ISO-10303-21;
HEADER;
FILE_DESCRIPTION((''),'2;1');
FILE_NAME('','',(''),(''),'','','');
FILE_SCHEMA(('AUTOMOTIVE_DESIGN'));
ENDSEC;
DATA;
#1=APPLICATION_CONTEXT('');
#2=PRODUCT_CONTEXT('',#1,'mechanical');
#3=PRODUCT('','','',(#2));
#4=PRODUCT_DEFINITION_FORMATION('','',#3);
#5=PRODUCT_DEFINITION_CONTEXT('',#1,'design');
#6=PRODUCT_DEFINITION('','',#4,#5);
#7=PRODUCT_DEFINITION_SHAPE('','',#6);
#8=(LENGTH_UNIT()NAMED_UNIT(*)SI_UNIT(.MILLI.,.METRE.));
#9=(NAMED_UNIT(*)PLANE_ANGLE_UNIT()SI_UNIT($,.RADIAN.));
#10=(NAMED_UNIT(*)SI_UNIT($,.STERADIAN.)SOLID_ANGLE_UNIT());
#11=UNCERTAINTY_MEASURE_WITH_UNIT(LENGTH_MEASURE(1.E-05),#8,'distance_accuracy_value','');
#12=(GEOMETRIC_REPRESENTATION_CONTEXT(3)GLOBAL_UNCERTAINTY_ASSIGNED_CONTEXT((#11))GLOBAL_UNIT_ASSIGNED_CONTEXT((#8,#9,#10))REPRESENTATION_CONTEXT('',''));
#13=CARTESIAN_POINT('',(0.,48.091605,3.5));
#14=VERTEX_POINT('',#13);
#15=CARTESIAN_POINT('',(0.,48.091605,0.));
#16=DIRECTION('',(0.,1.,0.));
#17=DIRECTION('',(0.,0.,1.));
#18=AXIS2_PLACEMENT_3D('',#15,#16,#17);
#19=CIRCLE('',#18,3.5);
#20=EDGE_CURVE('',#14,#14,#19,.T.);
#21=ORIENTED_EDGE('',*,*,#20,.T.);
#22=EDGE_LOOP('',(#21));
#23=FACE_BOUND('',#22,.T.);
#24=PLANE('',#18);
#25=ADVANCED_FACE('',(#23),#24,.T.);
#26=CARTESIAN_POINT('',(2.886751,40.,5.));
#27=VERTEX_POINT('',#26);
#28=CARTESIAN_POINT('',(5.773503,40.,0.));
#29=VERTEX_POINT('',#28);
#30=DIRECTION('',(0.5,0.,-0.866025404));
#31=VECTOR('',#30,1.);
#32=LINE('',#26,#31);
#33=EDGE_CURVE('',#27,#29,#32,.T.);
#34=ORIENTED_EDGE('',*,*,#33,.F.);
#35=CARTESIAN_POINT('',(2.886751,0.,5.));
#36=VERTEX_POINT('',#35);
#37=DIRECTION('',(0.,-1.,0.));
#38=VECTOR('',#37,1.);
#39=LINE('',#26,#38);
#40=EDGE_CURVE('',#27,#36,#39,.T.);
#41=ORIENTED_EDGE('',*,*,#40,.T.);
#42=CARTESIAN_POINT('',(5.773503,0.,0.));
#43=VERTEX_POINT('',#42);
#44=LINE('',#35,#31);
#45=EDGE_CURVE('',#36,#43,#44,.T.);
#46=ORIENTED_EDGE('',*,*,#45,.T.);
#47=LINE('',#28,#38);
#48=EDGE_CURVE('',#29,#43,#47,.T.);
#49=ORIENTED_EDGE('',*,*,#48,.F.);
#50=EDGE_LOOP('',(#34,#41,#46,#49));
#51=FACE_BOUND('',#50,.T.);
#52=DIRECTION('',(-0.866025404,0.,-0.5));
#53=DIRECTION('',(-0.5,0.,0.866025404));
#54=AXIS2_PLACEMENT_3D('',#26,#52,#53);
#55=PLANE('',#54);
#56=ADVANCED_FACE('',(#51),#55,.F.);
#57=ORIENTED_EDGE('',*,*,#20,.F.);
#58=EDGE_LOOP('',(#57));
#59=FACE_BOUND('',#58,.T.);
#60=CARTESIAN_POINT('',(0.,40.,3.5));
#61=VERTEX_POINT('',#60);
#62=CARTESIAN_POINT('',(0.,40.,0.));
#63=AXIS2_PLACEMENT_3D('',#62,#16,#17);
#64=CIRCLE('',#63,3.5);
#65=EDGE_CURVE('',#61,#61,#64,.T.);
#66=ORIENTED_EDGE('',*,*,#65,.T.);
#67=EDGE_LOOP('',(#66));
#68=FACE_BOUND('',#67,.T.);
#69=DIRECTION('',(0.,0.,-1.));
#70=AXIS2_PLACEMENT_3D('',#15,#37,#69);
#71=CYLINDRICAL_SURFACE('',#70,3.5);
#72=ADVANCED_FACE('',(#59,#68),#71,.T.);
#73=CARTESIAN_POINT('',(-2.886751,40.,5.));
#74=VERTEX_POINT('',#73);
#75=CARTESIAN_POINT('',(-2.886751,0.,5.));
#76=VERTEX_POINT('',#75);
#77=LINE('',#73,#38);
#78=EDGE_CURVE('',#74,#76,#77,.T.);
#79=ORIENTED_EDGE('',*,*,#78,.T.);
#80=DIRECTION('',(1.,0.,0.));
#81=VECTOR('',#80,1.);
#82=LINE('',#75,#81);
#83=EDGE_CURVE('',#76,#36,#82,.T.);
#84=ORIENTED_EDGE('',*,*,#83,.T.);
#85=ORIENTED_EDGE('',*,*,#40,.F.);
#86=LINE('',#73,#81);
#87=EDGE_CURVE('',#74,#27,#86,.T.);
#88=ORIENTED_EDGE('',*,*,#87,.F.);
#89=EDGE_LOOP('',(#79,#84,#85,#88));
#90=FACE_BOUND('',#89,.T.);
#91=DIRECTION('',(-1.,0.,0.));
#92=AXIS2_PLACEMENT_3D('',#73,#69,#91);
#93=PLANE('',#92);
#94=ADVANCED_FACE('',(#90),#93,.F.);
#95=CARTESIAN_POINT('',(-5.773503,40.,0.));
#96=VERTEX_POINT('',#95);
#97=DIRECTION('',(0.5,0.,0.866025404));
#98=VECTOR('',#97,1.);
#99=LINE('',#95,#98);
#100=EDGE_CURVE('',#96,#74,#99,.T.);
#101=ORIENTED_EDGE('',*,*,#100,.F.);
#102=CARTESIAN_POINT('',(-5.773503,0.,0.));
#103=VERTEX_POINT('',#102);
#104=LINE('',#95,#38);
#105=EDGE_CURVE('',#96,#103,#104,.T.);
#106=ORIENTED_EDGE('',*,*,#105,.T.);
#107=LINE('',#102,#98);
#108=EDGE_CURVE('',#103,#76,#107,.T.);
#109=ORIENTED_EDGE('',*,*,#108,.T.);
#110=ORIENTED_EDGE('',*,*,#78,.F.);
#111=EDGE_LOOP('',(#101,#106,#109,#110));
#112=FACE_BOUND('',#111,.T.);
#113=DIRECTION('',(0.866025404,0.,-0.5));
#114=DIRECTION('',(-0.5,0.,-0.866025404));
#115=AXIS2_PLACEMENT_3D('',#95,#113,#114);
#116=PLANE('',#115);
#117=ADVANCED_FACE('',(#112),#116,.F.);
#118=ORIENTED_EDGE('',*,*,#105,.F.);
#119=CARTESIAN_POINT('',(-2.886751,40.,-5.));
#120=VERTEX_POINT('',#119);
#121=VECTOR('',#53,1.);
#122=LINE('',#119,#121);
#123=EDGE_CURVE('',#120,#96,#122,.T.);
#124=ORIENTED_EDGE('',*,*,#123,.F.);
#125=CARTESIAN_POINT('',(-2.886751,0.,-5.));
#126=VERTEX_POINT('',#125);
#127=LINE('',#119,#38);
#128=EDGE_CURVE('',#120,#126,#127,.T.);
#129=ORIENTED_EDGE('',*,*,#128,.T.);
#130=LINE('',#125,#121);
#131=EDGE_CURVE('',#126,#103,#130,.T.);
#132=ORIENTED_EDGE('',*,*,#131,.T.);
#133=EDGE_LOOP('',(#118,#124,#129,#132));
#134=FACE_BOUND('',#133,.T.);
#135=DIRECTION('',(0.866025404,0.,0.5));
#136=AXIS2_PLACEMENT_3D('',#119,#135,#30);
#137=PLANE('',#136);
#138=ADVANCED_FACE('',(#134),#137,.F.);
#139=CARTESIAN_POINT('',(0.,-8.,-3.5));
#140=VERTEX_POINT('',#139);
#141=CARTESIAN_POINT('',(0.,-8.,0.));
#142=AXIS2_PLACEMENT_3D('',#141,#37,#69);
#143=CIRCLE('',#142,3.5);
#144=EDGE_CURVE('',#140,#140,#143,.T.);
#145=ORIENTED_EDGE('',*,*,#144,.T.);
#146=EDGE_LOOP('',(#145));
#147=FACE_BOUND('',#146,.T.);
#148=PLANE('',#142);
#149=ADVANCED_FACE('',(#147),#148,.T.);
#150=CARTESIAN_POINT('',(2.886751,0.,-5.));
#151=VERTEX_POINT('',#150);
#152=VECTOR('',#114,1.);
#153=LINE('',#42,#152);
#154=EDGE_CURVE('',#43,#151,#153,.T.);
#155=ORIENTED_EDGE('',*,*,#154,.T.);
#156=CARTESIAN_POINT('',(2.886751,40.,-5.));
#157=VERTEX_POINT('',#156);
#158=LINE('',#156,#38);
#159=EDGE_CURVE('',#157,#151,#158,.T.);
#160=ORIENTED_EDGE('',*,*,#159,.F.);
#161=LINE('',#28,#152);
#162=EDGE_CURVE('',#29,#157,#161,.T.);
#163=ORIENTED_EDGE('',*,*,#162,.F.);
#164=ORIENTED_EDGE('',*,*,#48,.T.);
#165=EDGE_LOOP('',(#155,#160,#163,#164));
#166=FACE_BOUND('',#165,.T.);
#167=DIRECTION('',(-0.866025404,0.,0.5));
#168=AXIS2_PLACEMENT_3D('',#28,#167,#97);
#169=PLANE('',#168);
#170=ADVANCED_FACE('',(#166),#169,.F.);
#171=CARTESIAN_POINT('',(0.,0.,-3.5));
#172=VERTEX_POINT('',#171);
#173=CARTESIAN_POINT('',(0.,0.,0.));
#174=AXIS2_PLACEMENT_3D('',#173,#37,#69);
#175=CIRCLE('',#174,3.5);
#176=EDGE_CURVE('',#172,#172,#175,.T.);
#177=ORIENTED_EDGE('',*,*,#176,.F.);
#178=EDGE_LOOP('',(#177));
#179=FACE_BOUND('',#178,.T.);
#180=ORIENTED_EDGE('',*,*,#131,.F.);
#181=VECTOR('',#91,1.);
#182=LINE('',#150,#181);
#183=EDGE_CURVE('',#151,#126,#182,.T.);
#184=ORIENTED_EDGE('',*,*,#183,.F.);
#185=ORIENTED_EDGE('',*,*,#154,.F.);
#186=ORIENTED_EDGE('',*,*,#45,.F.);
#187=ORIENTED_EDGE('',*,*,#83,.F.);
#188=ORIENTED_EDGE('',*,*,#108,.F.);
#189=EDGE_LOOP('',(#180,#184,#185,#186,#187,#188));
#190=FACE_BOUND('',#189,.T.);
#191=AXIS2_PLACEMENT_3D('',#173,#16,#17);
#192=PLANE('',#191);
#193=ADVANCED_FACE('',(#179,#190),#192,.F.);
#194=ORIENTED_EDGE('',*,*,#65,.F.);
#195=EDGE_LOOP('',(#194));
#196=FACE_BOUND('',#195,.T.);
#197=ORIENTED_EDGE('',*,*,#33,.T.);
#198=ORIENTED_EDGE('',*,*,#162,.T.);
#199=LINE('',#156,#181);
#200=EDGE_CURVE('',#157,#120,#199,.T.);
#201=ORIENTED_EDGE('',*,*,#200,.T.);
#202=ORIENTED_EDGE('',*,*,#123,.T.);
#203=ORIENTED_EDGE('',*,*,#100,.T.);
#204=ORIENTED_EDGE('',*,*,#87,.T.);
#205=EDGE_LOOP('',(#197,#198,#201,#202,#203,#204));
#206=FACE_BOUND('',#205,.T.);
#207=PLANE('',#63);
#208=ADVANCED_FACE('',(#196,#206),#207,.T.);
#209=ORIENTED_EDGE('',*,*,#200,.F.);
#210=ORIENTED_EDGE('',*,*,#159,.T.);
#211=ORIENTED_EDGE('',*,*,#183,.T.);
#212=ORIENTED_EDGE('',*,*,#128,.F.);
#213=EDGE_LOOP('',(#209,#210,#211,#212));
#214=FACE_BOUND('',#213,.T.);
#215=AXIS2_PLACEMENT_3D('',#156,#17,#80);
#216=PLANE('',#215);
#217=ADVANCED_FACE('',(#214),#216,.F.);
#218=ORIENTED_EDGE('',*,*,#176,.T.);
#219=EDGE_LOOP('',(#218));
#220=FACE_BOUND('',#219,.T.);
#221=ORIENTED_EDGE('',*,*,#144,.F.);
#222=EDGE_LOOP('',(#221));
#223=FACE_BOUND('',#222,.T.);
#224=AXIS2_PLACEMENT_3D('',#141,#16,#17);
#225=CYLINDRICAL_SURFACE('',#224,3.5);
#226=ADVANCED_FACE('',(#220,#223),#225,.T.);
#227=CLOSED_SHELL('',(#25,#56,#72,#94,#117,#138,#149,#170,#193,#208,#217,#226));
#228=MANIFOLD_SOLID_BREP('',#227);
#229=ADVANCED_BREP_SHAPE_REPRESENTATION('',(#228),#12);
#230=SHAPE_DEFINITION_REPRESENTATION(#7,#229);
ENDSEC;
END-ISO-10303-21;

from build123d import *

# Parameters (mm, degrees)
BOSS_EXTRUDE1_DEPTH = 40
SKETCH5_R           = 3.5
BOSS_EXTRUDE2_DEPTH = 8.091605471
SKETCH5_2_R         = 3.5
BOSS_EXTRUDE3_DEPTH = 8
BOSS_EXTRUDE6_START = 8
SKETCH9_R           = 3.5
BOSS_EXTRUDE6_DEPTH = 8


with BuildPart() as part:
    # Sketch3 → Boss-Extrude1 (new body)
    with BuildSketch(Plane(origin=(0, 0, 0), x_dir=(1, 0, 0), z_dir=(0, 1, 0))):
        Polygon((-5.773502692, 0), (-2.886751346, -5), (2.886751346, -5), (5.773502692, 0), (2.886751346, 5), (-2.886751346, 5), align=None)
    extrude(amount=BOSS_EXTRUDE1_DEPTH)

    # Sketch5 → Boss-Extrude2 (add)
    with BuildSketch(Plane(origin=(0, 40, 0), x_dir=(1, 0, 0), z_dir=(0, 1, 0))):
        Circle(SKETCH5_R)
    extrude(amount=BOSS_EXTRUDE2_DEPTH)

    # Sketch5<2> → Boss-Extrude3 (add)
    with BuildSketch(Plane(origin=(0, 40, 0), x_dir=(1, 0, 0), z_dir=(0, 1, 0))):
        Circle(SKETCH5_2_R)
    extrude(amount=BOSS_EXTRUDE3_DEPTH)

    # Sketch9 → Boss-Extrude6 (add)
    with BuildSketch(Plane.XZ.offset(BOSS_EXTRUDE6_START)):
        Circle(SKETCH9_R)
    extrude(amount=-BOSS_EXTRUDE6_DEPTH)


solid = part.part
